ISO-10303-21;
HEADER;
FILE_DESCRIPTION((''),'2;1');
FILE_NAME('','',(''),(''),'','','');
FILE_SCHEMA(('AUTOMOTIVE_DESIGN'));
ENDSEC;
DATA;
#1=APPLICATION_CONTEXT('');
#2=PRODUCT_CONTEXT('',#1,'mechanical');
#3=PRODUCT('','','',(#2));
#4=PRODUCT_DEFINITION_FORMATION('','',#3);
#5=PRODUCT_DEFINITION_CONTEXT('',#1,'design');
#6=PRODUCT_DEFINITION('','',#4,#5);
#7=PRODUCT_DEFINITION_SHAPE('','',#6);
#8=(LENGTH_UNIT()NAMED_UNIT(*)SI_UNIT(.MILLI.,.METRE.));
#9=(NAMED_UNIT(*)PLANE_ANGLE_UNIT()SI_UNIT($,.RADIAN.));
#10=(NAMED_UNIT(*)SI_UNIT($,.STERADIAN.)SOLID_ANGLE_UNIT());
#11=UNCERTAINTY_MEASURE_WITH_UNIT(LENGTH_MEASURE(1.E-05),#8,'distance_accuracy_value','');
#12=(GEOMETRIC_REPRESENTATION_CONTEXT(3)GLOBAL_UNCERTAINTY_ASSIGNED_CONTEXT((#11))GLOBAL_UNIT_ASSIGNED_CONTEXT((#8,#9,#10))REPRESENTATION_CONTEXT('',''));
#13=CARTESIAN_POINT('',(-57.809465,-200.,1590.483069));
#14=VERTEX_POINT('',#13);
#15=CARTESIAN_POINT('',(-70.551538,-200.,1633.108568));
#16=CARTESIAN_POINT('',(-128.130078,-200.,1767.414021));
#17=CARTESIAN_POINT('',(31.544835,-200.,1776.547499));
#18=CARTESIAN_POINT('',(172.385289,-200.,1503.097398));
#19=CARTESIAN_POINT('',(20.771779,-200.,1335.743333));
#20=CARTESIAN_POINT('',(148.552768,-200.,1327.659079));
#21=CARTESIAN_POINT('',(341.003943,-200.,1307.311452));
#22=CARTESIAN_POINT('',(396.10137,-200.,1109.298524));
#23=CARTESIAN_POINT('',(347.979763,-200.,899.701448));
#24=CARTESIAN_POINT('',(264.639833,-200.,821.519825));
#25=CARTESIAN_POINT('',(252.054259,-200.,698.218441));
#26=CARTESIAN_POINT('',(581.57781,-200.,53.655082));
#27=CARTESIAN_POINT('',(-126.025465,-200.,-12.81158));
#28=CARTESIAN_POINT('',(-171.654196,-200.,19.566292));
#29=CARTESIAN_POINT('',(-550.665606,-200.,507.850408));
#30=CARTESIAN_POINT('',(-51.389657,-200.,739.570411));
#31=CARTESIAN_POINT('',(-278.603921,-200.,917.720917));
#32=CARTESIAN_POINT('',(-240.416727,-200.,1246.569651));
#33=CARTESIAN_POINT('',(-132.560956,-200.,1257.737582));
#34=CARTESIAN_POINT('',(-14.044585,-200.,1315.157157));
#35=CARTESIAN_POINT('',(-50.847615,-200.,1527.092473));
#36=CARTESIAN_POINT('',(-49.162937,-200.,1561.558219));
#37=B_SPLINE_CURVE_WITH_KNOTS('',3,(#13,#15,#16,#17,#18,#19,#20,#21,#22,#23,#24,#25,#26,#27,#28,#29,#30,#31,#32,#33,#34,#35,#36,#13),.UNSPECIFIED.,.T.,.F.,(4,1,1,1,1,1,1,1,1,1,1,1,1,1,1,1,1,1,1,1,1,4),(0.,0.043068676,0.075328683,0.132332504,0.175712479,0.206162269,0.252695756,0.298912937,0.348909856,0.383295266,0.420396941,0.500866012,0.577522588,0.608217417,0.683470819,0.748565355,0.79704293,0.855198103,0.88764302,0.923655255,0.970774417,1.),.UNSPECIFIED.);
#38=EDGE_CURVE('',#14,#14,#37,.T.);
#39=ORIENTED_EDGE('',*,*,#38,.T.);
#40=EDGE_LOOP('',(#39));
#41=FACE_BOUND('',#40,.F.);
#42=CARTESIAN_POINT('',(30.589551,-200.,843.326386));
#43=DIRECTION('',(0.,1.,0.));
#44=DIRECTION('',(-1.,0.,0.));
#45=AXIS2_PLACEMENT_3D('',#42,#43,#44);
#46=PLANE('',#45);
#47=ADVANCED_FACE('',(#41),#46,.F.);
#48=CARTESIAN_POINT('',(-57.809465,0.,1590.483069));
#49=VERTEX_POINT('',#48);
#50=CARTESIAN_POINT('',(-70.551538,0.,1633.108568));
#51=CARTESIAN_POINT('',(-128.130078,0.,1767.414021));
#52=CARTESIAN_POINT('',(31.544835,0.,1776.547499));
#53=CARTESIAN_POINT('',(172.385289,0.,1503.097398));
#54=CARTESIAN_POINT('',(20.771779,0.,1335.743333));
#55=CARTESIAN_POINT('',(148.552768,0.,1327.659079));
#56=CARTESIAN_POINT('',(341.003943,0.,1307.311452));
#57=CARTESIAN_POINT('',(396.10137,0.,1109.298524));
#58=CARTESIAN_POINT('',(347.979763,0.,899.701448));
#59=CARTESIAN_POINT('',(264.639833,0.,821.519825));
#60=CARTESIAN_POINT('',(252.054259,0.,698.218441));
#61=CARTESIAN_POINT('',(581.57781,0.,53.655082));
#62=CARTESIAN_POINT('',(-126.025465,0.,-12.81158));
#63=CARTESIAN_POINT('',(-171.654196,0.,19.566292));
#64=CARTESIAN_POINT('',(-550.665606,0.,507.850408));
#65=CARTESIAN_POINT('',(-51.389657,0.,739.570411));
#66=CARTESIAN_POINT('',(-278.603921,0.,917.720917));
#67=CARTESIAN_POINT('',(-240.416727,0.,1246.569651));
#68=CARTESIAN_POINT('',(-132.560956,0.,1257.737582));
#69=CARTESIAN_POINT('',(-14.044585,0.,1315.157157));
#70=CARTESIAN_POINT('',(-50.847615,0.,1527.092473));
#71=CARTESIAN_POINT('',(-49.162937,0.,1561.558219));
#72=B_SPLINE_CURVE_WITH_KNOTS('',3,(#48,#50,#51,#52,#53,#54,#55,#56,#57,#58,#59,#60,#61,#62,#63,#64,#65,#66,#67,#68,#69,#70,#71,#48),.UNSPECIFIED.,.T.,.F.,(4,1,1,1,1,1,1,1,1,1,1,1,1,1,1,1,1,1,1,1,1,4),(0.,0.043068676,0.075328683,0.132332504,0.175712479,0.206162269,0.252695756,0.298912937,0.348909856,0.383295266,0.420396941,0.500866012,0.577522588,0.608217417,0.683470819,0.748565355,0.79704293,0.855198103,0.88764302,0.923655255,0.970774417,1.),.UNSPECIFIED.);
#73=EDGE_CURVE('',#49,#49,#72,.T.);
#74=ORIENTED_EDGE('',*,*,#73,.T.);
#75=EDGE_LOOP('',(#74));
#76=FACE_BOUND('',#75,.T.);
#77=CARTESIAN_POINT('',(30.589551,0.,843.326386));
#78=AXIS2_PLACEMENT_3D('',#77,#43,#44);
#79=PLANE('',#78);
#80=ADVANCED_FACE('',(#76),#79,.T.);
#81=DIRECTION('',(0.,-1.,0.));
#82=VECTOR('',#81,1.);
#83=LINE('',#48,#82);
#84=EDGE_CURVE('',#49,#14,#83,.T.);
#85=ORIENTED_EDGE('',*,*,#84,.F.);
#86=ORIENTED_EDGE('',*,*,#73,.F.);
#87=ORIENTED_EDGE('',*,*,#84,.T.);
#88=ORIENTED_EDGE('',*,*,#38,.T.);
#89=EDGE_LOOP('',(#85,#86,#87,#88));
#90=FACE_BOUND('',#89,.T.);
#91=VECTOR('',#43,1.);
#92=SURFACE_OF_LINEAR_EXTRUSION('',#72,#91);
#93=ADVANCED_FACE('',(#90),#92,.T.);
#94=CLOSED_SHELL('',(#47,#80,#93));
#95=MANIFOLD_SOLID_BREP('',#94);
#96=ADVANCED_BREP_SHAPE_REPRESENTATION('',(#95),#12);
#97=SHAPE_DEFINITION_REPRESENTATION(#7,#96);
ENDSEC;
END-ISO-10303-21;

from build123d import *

# Parameters (mm, degrees)
F1_DEPTH = 200


with BuildPart() as f1:
    # F0 (on Front) → F1 (new body)
    with BuildSketch(Plane.XZ):
        with BuildLine():
            add(Edge.make_bspline(
                [(-57.8094646335, 1590.4830694199), (-70.5515380527, 1633.1085680591), (-128.1300782155, 1767.4140214809), (31.5448352108, 1776.5474987906), (172.385289276, 1503.0973975146), (20.7717785027, 1335.7433334549), (148.5527684441, 1327.6590786055), (341.0039433737, 1307.3114521026), (396.1013698196, 1109.2985239906), (347.9797633496, 899.7014476436), (264.6398333098, 821.519825354), (252.0542594083, 698.2184409074), (581.5778104754, 53.6550820587), (-126.0254651871, -12.8115798074), (-171.654196153, 19.5662916038), (-550.6656063372, 507.8504084709), (-51.3896569459, 739.5704106956), (-278.6039214727, 917.7209172867), (-240.4167267661, 1246.5696514297), (-132.5609563547, 1257.7375818413), (-14.044585167, 1315.1571567998), (-50.8476145384, 1527.0924729892), (-49.1629365317, 1561.5582186747), (-57.8094646335, 1590.4830694199)],
                knots=[0, 0, 0, 0, 0.0430686764, 0.0753286831, 0.1323325042, 0.175712479, 0.2061622687, 0.2526957559, 0.2989129371, 0.348909856, 0.3832952661, 0.4203969411, 0.5008660125, 0.577522588, 0.6082174171, 0.6834708192, 0.7485653552, 0.79704293, 0.8551981029, 0.88764302, 0.9236552554, 0.9707744173, 1, 1, 1, 1], degree=3))
        make_face()
    extrude(amount=F1_DEPTH)


solid = f1.part
